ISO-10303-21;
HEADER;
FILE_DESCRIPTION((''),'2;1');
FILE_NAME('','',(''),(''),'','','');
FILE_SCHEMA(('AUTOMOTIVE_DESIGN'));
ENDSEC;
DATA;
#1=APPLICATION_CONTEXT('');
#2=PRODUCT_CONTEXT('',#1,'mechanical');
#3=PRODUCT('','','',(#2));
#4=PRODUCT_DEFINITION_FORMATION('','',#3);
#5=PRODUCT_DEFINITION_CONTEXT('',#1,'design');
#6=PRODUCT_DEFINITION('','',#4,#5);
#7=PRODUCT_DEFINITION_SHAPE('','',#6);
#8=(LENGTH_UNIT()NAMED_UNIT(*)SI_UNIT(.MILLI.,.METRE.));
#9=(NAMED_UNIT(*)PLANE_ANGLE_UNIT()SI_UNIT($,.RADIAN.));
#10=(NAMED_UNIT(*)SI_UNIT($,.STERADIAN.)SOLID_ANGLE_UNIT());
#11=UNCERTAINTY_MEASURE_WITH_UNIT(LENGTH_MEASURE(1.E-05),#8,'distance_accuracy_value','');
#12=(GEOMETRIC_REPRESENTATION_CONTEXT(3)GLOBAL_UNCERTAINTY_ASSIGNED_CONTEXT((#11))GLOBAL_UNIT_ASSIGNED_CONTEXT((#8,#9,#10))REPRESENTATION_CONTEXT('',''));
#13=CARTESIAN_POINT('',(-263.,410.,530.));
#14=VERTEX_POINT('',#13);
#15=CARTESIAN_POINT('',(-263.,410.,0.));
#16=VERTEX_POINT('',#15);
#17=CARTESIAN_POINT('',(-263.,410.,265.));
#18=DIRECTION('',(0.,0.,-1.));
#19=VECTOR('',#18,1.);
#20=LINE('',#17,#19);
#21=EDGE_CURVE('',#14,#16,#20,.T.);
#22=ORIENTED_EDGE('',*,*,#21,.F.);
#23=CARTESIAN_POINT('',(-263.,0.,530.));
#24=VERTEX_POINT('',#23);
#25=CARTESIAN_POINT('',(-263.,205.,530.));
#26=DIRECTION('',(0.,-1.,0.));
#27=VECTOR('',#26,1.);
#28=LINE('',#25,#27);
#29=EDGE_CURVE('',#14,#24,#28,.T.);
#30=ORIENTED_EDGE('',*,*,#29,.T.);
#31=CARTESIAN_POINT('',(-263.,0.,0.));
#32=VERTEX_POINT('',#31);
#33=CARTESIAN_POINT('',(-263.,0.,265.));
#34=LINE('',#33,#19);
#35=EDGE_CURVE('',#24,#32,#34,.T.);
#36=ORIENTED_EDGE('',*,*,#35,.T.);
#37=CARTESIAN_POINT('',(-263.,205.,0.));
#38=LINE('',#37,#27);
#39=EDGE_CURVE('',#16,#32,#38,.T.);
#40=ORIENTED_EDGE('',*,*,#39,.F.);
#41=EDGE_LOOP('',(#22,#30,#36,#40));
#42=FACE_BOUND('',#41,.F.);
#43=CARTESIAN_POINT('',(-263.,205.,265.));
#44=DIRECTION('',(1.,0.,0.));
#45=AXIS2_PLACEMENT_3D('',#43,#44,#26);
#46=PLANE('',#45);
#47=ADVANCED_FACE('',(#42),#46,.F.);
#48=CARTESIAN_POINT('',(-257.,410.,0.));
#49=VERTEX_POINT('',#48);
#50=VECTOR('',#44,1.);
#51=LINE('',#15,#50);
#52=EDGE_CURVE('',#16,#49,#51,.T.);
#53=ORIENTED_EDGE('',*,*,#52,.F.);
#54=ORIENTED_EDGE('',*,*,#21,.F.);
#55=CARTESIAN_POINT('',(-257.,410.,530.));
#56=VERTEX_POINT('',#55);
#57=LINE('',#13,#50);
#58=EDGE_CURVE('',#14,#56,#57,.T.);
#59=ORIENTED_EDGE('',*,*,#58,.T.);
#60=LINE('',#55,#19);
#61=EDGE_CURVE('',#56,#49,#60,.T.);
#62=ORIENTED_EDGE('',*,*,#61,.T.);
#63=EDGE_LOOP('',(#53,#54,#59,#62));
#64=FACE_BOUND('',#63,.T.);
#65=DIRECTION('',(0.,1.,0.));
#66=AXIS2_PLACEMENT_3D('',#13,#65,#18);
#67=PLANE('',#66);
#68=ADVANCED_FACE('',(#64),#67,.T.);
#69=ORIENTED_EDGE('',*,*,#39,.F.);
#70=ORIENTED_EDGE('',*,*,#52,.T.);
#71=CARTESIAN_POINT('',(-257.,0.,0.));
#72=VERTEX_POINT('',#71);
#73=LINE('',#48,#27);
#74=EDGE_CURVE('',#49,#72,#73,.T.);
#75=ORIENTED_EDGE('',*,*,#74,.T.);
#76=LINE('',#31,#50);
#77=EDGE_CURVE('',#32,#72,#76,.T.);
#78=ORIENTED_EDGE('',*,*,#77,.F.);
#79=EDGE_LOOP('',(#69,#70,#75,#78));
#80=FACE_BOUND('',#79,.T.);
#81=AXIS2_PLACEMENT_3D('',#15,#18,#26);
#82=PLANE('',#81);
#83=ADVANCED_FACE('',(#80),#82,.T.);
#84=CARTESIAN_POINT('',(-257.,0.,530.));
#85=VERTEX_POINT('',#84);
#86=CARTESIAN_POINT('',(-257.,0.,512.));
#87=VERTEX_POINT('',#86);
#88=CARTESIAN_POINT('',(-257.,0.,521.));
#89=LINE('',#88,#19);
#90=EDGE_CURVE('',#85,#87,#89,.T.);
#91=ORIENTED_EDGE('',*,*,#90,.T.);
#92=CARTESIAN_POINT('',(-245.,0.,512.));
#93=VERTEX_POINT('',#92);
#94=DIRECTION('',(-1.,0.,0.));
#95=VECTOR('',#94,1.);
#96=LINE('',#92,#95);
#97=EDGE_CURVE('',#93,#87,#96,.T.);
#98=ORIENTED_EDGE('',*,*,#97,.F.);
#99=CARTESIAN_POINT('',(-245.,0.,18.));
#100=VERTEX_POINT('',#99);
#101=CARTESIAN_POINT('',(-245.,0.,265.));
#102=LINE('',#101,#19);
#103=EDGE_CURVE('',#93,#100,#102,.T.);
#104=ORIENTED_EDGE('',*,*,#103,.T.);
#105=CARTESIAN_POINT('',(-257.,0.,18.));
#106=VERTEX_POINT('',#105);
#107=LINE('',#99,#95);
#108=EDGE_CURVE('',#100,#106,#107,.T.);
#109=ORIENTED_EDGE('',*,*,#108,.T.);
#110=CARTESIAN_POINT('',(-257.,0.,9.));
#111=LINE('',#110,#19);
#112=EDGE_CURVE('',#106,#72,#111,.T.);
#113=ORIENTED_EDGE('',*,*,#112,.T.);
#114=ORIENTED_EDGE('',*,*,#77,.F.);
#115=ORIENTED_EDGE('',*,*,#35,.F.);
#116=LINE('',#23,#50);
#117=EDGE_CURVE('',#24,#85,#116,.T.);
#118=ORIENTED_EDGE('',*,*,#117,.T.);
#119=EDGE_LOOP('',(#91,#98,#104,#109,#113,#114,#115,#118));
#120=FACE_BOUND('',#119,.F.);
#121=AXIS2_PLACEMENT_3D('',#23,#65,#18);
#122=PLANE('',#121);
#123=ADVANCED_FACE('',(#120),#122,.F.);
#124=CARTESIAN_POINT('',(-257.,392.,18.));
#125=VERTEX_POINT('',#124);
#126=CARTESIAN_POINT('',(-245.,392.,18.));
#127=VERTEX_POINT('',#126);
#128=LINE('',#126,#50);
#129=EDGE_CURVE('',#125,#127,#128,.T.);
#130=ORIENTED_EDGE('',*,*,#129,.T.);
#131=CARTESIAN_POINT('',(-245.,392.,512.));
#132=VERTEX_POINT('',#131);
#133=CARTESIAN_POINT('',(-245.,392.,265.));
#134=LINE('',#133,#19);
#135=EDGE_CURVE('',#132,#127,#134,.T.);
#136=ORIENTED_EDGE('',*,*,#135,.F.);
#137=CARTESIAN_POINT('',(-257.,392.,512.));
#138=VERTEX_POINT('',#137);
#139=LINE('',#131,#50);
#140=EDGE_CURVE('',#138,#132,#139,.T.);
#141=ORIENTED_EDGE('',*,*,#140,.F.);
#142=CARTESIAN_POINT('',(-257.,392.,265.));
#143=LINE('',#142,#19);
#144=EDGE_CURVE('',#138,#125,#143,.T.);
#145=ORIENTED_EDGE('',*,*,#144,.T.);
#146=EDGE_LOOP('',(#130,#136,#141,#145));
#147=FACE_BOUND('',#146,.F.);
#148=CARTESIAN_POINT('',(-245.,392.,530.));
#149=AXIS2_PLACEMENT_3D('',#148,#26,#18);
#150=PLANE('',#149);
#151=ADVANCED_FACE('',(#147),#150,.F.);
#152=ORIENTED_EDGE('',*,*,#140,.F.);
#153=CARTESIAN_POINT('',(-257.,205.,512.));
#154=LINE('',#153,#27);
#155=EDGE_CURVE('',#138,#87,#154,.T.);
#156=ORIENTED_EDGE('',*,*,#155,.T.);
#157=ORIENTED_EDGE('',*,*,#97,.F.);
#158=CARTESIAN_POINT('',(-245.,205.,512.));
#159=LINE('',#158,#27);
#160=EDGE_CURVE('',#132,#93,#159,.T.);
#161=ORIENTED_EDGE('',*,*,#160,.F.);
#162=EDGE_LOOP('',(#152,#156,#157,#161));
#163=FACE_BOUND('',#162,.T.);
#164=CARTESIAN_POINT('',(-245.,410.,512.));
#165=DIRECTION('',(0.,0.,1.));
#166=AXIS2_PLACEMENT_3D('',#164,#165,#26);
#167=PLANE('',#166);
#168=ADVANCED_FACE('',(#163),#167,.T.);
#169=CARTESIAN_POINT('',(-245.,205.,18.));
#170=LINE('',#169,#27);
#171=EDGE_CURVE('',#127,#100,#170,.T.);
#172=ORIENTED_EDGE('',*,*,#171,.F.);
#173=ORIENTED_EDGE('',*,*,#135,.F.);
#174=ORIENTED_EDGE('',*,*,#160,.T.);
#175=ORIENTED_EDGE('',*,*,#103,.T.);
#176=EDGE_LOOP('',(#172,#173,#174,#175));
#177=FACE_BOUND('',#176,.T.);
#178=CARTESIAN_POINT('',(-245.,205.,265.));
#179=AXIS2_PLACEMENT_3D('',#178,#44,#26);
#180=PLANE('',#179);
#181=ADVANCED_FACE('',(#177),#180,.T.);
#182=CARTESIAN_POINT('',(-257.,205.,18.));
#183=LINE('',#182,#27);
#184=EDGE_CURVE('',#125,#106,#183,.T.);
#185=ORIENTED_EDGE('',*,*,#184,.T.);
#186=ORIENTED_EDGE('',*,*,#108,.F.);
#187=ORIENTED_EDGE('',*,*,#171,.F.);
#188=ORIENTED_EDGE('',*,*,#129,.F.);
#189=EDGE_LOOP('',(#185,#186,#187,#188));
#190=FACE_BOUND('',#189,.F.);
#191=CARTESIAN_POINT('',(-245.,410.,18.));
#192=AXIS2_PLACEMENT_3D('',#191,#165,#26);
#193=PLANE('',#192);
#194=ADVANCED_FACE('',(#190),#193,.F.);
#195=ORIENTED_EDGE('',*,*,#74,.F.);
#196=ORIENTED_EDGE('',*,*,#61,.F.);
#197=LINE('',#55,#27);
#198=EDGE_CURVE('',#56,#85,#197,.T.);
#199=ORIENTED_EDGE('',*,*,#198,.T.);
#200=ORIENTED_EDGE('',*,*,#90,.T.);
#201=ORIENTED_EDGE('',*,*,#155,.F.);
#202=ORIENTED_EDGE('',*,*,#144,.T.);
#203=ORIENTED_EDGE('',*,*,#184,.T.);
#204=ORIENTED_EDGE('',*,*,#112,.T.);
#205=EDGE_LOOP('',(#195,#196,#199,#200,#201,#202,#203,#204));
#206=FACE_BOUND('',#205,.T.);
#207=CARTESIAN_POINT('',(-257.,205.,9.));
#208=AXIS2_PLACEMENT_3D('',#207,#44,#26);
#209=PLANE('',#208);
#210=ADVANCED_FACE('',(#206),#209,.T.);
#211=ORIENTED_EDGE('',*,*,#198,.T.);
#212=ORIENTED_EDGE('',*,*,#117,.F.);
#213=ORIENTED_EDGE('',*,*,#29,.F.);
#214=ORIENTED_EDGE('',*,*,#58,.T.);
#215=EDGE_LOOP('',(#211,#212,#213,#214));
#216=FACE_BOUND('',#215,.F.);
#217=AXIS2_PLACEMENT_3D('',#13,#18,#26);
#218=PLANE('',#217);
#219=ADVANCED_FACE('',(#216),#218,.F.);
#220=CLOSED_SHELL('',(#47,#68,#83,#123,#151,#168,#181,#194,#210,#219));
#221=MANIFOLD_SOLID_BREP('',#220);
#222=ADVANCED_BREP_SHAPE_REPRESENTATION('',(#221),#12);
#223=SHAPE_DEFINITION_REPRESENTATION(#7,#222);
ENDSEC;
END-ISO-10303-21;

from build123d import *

# Parameters (mm, degrees)
SKETCH046_W             = 410
SKETCH046_H             = 530
PAD017_DEPTH            = 18
SKETCH047_W             = 410
SKETCH047_H             = 18
POCKET029_DEPTH         = 12
SKETCH048_W             = 18
SKETCH048_H             = 530
POCKET030_DEPTH         = 12
BODY016_ROLL_ANGLE      = -90
BODY016_PLACEMENT_ANGLE = -90


with BuildPart() as part:
    # Sketch046 → Pad017 (new body)
    with BuildSketch(Plane.XY):
        with Locations((0, 265)):
            Rectangle(SKETCH046_W, SKETCH046_H)
    extrude(amount=PAD017_DEPTH)

    # Sketch047 (on Face6 of Pad017) → Pocket029 (cut)
    with BuildSketch(Plane.XY.offset(18)):
        with Locations((0, 9)):
            Rectangle(SKETCH047_W, SKETCH047_H)
        with Locations((0, 521)):
            Rectangle(SKETCH047_W, SKETCH047_H)
    extrude(amount=-POCKET029_DEPTH, mode=Mode.SUBTRACT)

    # Sketch048 (on Face9 of Pocket029) → Pocket030 (cut)
    with BuildSketch(Plane.XY.offset(18)):
        with Locations((-196, 265)):
            Rectangle(SKETCH048_W, SKETCH048_H)
    extrude(amount=-POCKET030_DEPTH, mode=Mode.SUBTRACT)


with BuildPart() as part_1:
    # Body016 roll: moved
    add(part.part.rotate(Axis((0, 0, 0), (1, 0, 0)), BODY016_ROLL_ANGLE))


with BuildPart() as part_2:
    # Body016 placement: moved
    add(part_1.part.moved(Location((-263, 205, 530))).rotate(Axis((-263, 205, 530), (0, 0, 1)), BODY016_PLACEMENT_ANGLE))


solid = part_2.part
